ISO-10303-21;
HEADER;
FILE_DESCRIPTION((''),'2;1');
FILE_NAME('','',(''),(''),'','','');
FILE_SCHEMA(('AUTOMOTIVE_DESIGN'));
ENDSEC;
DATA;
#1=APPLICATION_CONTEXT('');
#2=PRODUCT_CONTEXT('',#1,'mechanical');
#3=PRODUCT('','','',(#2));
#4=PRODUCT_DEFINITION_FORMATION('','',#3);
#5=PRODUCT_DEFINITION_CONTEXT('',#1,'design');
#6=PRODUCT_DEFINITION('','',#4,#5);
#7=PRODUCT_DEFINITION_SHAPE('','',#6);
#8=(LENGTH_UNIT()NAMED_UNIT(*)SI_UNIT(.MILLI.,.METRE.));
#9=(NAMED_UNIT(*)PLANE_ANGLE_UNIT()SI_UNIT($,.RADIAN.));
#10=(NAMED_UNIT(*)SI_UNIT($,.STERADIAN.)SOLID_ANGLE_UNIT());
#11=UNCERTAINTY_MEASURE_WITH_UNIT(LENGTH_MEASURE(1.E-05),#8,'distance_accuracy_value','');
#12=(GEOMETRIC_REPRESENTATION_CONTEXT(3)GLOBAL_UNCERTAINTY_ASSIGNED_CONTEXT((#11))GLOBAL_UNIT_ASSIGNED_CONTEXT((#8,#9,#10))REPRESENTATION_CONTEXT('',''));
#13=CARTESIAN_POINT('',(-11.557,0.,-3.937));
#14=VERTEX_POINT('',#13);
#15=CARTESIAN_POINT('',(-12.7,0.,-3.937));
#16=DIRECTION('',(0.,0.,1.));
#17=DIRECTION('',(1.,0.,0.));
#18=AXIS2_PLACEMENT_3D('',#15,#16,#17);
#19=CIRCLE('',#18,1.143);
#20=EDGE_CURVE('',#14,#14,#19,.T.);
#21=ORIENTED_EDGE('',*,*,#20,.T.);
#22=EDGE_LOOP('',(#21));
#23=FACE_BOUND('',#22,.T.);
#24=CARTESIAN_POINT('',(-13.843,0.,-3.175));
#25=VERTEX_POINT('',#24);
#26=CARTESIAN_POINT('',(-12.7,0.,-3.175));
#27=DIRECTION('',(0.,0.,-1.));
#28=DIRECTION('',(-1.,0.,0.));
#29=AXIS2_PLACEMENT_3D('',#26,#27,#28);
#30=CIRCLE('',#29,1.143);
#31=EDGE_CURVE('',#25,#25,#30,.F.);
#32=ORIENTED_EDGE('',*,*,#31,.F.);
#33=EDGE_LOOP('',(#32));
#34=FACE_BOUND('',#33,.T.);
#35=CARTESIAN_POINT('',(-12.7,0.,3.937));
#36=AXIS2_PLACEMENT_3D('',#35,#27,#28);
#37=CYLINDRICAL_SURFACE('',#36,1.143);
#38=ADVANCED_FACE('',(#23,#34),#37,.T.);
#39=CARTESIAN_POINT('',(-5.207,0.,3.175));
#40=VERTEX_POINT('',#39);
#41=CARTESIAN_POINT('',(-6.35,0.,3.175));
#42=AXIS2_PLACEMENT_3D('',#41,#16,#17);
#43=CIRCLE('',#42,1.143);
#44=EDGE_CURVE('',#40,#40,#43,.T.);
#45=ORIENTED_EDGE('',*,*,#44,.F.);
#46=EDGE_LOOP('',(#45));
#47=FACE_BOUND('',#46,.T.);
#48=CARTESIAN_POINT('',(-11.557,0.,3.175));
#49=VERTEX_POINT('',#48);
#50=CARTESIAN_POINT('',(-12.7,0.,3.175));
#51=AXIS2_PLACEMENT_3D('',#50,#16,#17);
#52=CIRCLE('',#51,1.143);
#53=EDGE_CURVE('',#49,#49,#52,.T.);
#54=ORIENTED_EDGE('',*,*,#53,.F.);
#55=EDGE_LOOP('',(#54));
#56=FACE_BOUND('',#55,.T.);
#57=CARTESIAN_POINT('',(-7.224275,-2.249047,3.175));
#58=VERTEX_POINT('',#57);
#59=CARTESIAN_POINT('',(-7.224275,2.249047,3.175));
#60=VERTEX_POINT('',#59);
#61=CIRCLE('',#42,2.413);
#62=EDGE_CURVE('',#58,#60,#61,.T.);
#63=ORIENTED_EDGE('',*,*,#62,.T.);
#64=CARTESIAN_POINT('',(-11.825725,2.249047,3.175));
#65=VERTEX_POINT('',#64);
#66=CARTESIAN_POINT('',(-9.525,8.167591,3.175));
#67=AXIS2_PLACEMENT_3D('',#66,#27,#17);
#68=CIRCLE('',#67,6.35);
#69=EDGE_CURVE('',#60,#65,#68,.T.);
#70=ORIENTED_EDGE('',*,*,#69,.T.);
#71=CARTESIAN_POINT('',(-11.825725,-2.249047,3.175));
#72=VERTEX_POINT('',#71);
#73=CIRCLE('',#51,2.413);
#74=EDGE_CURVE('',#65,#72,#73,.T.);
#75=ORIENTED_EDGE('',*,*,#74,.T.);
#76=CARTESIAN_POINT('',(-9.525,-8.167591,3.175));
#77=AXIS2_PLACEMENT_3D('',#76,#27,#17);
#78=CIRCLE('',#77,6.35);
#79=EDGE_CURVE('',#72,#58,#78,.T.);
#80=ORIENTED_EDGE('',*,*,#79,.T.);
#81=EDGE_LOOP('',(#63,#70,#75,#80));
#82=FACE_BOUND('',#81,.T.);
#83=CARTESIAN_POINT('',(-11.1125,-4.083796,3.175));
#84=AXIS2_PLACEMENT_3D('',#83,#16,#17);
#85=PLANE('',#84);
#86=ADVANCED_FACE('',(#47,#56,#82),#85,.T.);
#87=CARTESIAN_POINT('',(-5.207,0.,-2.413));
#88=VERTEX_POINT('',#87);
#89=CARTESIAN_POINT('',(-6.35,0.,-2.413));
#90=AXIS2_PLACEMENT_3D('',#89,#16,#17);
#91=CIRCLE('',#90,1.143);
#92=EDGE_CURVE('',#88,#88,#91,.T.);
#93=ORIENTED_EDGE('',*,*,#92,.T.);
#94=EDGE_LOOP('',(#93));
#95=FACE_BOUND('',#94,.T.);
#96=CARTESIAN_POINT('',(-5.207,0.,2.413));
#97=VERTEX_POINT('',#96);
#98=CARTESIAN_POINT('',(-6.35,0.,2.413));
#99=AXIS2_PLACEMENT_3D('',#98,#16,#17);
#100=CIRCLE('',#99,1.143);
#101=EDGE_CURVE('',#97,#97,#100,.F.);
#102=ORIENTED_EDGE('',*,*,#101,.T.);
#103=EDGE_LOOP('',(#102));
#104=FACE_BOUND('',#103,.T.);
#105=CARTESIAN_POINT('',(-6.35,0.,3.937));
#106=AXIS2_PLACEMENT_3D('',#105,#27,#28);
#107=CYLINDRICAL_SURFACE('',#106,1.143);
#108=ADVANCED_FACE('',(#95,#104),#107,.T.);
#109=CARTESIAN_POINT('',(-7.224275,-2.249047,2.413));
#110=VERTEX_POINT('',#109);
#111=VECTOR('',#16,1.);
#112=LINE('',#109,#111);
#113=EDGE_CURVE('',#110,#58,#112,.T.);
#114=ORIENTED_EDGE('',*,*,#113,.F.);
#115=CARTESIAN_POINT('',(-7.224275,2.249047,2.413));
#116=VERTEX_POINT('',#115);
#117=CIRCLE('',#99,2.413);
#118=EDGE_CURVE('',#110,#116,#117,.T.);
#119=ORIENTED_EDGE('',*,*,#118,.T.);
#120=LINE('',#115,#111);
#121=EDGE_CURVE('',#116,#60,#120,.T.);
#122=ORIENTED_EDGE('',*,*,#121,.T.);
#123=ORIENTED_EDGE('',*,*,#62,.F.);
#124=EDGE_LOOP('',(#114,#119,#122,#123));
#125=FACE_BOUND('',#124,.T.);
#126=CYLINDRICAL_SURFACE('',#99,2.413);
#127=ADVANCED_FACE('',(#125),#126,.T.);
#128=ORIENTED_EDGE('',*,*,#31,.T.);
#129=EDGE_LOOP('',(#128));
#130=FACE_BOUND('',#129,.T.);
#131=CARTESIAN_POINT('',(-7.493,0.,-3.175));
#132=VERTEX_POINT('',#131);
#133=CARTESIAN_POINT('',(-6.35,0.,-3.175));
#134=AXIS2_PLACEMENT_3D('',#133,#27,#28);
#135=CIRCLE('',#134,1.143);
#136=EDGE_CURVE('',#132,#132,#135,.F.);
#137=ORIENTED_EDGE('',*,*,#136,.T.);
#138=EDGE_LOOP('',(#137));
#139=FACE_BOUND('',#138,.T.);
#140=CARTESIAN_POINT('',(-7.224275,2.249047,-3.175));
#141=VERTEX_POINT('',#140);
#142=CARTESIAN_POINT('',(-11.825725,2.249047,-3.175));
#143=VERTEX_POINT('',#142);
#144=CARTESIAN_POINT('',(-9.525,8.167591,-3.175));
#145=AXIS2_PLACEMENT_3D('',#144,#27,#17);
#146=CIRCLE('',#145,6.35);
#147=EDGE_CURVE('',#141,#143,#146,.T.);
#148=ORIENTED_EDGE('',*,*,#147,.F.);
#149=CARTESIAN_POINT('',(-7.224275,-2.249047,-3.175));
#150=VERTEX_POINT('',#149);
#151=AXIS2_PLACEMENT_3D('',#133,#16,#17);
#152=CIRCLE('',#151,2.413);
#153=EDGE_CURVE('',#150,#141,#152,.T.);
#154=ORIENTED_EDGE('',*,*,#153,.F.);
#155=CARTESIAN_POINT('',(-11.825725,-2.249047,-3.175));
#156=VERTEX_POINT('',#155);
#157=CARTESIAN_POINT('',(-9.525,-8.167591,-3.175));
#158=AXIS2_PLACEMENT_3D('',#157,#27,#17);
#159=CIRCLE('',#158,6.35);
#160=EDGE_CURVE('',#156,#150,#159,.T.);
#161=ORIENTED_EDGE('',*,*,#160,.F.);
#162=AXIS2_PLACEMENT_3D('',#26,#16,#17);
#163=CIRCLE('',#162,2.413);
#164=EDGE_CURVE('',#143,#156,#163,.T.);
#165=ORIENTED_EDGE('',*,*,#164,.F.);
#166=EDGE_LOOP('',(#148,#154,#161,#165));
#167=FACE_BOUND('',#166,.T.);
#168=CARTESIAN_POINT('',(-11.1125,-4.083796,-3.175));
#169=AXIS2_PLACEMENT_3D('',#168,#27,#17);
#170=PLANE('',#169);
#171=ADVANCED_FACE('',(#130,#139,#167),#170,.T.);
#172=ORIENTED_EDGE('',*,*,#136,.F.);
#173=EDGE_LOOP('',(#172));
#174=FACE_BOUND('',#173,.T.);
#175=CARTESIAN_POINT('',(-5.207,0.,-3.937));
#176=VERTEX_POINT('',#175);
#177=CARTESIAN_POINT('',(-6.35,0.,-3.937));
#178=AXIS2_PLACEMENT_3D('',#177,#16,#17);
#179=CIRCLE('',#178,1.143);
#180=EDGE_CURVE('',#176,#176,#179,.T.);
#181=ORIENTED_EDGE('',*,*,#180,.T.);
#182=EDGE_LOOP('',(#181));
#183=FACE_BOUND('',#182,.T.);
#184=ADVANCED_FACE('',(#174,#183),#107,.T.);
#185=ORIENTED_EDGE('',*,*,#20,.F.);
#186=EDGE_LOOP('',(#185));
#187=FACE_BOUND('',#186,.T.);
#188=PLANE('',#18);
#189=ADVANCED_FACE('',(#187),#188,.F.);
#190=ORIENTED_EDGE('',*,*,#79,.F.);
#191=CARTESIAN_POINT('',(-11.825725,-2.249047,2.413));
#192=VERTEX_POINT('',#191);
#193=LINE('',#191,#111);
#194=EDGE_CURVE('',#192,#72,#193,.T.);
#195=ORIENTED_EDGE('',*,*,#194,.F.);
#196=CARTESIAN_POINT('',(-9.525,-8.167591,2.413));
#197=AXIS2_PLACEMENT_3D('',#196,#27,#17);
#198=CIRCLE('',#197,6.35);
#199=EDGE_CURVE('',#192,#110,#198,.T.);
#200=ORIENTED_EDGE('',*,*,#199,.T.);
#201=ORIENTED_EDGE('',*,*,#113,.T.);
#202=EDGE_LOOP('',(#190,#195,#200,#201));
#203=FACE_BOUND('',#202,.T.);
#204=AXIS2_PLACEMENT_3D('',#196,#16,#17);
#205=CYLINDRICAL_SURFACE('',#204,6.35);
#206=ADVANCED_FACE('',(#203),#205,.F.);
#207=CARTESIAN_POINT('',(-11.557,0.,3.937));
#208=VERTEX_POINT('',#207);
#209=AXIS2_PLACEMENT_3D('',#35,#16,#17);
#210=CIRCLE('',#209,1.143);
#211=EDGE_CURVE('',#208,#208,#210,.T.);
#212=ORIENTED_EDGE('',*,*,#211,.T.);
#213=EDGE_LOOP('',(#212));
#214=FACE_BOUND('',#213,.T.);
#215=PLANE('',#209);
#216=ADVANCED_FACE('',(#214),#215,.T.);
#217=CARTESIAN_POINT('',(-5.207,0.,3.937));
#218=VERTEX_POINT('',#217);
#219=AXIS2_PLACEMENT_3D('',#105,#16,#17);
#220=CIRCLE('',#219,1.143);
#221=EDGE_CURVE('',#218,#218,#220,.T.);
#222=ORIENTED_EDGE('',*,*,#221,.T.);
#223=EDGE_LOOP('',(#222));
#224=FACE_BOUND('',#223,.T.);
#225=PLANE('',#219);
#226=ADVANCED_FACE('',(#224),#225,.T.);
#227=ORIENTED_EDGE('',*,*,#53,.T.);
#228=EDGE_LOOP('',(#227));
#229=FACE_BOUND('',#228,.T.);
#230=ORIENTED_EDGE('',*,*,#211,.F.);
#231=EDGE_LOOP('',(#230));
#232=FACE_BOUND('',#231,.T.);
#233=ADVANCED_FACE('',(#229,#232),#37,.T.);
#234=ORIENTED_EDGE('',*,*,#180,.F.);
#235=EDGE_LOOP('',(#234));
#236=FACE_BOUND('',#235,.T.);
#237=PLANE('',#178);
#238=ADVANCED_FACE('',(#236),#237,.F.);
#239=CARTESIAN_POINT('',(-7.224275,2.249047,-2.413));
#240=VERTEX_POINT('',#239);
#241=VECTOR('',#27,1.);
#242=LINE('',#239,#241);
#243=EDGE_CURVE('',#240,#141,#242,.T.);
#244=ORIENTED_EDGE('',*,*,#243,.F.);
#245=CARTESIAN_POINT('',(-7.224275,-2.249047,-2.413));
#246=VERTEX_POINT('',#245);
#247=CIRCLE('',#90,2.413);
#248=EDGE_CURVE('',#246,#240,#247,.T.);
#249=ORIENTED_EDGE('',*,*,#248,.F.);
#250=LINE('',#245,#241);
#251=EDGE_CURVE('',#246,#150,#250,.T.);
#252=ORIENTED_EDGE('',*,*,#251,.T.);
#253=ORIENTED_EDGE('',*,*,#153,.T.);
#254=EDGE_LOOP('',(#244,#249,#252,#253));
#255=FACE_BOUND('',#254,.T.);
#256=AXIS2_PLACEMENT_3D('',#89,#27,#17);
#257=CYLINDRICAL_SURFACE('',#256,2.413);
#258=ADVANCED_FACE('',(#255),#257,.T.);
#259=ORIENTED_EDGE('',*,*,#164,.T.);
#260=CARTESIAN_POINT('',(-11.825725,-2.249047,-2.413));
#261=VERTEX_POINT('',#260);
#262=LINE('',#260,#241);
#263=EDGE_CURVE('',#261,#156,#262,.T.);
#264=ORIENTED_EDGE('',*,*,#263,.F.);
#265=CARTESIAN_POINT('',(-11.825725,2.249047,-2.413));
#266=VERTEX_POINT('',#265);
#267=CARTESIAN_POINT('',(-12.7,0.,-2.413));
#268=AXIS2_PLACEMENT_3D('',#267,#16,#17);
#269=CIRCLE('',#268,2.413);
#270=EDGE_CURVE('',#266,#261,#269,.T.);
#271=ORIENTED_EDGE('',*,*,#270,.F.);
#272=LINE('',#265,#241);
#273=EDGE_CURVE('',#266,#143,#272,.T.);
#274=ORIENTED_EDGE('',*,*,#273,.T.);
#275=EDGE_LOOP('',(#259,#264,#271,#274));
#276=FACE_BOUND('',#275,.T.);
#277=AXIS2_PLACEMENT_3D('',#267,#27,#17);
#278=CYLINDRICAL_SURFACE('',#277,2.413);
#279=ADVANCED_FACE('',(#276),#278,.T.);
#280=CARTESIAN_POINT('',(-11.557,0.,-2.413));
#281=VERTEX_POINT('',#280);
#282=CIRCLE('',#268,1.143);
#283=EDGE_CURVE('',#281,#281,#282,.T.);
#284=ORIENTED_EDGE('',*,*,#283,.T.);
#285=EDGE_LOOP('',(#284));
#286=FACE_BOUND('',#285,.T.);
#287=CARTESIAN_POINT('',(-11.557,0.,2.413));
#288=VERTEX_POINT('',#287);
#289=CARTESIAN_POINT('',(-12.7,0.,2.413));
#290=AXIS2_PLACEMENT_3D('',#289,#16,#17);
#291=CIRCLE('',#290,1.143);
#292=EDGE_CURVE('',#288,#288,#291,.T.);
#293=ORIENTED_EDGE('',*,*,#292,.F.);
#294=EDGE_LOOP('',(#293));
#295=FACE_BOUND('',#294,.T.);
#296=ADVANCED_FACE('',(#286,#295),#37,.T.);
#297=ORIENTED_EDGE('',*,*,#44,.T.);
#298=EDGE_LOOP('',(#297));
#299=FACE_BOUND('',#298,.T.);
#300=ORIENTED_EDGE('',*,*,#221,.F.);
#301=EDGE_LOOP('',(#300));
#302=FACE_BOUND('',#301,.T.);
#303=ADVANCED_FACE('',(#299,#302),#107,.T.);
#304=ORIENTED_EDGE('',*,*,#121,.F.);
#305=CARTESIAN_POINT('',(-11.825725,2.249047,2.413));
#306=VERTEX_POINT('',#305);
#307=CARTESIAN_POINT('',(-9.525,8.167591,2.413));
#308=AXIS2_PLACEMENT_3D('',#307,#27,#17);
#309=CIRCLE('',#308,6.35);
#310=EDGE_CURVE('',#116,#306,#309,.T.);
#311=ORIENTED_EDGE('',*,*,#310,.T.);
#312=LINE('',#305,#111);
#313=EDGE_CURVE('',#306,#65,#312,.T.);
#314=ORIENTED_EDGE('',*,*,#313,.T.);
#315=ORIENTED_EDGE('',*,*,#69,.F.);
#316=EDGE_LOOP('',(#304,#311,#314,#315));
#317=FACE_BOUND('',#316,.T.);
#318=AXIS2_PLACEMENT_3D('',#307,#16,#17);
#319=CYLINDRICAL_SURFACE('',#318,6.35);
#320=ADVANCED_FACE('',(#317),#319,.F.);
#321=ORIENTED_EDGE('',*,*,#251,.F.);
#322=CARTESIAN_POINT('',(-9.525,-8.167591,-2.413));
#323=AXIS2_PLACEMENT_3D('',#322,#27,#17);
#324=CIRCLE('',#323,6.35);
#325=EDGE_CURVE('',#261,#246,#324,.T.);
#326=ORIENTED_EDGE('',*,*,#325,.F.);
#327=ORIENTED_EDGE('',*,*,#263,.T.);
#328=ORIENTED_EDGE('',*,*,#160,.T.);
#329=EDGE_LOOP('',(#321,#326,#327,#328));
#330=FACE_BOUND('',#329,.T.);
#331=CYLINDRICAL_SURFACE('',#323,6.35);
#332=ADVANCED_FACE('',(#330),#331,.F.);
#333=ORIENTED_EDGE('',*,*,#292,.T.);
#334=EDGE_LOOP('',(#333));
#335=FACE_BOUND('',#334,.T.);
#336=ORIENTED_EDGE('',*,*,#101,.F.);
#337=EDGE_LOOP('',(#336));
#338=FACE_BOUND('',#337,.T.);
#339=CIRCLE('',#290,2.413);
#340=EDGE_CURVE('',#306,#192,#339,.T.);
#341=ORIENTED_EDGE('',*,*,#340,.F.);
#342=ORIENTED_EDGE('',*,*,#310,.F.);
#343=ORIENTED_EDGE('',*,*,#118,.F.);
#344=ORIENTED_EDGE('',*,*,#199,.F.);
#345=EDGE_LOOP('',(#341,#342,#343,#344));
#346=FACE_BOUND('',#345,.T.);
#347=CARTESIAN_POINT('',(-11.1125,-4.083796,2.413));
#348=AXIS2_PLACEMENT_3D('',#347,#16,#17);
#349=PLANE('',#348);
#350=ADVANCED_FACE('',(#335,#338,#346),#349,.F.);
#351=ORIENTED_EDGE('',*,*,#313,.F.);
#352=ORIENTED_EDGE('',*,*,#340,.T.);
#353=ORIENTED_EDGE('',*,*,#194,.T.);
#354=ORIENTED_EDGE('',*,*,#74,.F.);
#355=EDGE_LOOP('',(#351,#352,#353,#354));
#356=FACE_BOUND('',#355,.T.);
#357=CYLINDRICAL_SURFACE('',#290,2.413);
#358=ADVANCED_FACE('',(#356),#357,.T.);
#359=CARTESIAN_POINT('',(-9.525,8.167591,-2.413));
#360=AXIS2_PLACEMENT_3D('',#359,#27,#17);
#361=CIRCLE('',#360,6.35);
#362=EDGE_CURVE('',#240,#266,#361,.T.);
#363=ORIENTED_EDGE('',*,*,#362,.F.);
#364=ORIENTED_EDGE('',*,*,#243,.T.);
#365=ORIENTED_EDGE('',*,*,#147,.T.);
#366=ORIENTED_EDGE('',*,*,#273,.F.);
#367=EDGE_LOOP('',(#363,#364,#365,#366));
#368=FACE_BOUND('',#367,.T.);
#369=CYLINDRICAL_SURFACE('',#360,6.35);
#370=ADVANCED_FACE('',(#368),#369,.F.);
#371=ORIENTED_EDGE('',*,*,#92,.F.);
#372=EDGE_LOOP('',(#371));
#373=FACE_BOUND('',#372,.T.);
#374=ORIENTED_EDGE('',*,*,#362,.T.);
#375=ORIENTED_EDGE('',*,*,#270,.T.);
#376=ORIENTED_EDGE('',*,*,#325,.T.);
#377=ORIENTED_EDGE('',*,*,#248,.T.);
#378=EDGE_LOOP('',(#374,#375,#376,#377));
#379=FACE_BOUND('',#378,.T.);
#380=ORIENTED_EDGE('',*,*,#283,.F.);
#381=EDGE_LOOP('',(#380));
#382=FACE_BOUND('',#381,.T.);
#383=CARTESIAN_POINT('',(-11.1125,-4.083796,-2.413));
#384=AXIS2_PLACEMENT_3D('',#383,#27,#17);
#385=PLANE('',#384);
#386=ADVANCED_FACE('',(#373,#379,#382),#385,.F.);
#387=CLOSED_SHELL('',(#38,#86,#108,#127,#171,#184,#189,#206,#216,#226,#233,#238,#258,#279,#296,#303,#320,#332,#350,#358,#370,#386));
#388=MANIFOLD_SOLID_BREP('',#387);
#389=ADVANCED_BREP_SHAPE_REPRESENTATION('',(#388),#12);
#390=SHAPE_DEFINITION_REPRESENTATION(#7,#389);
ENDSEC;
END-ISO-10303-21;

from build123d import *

# Parameters (mm, degrees)
OUTER_START        = 3.175
SKETCH4_R          = 1.143
OUTER_LINK_1_DEPTH = 0.762
SKETCH5_R          = 1.143
PINS_DEPTH         = 3.937


with BuildPart() as part:
    # Sketch4 → outer link 1 (new body)
    with BuildSketch(Plane.XY.offset(OUTER_START)):
        with BuildLine():
            ThreePointArc((-7.224275362, -2.249046818), (-3.937, 0), (-7.224275362, 2.249046818))
            ThreePointArc((-7.224275362, 2.249046818), (-9.525, 1.817591077), (-11.825724638, 2.249046818))
            ThreePointArc((-11.825724638, 2.249046818), (-15.113, 0), (-11.825724638, -2.249046818))
            ThreePointArc((-11.825724638, -2.249046818), (-9.525, -1.817591077), (-7.224275362, -2.249046818))
        make_face()
        with Locations((-12.7, 0)):
            Circle(SKETCH4_R, mode=Mode.SUBTRACT)
        with Locations((-6.35, 0)):
            Circle(SKETCH4_R, mode=Mode.SUBTRACT)
    extrude(amount=-OUTER_LINK_1_DEPTH)


with BuildPart() as body_2:
    # outer link 2: mirrored copy
    add(part.part.mirror(Plane.XY))


with BuildPart() as part_1:
    add(part.part)

    add(body_2.part)  # pins merges body 2
    # Sketch5 → pins (add, symmetric)
    with BuildSketch(Plane.XY):
        with Locations((-12.7, 0)):
            Circle(SKETCH5_R)
        with Locations((-6.35, 0)):
            Circle(SKETCH5_R)
    extrude(amount=PINS_DEPTH, both=True)


solid = part_1.part
